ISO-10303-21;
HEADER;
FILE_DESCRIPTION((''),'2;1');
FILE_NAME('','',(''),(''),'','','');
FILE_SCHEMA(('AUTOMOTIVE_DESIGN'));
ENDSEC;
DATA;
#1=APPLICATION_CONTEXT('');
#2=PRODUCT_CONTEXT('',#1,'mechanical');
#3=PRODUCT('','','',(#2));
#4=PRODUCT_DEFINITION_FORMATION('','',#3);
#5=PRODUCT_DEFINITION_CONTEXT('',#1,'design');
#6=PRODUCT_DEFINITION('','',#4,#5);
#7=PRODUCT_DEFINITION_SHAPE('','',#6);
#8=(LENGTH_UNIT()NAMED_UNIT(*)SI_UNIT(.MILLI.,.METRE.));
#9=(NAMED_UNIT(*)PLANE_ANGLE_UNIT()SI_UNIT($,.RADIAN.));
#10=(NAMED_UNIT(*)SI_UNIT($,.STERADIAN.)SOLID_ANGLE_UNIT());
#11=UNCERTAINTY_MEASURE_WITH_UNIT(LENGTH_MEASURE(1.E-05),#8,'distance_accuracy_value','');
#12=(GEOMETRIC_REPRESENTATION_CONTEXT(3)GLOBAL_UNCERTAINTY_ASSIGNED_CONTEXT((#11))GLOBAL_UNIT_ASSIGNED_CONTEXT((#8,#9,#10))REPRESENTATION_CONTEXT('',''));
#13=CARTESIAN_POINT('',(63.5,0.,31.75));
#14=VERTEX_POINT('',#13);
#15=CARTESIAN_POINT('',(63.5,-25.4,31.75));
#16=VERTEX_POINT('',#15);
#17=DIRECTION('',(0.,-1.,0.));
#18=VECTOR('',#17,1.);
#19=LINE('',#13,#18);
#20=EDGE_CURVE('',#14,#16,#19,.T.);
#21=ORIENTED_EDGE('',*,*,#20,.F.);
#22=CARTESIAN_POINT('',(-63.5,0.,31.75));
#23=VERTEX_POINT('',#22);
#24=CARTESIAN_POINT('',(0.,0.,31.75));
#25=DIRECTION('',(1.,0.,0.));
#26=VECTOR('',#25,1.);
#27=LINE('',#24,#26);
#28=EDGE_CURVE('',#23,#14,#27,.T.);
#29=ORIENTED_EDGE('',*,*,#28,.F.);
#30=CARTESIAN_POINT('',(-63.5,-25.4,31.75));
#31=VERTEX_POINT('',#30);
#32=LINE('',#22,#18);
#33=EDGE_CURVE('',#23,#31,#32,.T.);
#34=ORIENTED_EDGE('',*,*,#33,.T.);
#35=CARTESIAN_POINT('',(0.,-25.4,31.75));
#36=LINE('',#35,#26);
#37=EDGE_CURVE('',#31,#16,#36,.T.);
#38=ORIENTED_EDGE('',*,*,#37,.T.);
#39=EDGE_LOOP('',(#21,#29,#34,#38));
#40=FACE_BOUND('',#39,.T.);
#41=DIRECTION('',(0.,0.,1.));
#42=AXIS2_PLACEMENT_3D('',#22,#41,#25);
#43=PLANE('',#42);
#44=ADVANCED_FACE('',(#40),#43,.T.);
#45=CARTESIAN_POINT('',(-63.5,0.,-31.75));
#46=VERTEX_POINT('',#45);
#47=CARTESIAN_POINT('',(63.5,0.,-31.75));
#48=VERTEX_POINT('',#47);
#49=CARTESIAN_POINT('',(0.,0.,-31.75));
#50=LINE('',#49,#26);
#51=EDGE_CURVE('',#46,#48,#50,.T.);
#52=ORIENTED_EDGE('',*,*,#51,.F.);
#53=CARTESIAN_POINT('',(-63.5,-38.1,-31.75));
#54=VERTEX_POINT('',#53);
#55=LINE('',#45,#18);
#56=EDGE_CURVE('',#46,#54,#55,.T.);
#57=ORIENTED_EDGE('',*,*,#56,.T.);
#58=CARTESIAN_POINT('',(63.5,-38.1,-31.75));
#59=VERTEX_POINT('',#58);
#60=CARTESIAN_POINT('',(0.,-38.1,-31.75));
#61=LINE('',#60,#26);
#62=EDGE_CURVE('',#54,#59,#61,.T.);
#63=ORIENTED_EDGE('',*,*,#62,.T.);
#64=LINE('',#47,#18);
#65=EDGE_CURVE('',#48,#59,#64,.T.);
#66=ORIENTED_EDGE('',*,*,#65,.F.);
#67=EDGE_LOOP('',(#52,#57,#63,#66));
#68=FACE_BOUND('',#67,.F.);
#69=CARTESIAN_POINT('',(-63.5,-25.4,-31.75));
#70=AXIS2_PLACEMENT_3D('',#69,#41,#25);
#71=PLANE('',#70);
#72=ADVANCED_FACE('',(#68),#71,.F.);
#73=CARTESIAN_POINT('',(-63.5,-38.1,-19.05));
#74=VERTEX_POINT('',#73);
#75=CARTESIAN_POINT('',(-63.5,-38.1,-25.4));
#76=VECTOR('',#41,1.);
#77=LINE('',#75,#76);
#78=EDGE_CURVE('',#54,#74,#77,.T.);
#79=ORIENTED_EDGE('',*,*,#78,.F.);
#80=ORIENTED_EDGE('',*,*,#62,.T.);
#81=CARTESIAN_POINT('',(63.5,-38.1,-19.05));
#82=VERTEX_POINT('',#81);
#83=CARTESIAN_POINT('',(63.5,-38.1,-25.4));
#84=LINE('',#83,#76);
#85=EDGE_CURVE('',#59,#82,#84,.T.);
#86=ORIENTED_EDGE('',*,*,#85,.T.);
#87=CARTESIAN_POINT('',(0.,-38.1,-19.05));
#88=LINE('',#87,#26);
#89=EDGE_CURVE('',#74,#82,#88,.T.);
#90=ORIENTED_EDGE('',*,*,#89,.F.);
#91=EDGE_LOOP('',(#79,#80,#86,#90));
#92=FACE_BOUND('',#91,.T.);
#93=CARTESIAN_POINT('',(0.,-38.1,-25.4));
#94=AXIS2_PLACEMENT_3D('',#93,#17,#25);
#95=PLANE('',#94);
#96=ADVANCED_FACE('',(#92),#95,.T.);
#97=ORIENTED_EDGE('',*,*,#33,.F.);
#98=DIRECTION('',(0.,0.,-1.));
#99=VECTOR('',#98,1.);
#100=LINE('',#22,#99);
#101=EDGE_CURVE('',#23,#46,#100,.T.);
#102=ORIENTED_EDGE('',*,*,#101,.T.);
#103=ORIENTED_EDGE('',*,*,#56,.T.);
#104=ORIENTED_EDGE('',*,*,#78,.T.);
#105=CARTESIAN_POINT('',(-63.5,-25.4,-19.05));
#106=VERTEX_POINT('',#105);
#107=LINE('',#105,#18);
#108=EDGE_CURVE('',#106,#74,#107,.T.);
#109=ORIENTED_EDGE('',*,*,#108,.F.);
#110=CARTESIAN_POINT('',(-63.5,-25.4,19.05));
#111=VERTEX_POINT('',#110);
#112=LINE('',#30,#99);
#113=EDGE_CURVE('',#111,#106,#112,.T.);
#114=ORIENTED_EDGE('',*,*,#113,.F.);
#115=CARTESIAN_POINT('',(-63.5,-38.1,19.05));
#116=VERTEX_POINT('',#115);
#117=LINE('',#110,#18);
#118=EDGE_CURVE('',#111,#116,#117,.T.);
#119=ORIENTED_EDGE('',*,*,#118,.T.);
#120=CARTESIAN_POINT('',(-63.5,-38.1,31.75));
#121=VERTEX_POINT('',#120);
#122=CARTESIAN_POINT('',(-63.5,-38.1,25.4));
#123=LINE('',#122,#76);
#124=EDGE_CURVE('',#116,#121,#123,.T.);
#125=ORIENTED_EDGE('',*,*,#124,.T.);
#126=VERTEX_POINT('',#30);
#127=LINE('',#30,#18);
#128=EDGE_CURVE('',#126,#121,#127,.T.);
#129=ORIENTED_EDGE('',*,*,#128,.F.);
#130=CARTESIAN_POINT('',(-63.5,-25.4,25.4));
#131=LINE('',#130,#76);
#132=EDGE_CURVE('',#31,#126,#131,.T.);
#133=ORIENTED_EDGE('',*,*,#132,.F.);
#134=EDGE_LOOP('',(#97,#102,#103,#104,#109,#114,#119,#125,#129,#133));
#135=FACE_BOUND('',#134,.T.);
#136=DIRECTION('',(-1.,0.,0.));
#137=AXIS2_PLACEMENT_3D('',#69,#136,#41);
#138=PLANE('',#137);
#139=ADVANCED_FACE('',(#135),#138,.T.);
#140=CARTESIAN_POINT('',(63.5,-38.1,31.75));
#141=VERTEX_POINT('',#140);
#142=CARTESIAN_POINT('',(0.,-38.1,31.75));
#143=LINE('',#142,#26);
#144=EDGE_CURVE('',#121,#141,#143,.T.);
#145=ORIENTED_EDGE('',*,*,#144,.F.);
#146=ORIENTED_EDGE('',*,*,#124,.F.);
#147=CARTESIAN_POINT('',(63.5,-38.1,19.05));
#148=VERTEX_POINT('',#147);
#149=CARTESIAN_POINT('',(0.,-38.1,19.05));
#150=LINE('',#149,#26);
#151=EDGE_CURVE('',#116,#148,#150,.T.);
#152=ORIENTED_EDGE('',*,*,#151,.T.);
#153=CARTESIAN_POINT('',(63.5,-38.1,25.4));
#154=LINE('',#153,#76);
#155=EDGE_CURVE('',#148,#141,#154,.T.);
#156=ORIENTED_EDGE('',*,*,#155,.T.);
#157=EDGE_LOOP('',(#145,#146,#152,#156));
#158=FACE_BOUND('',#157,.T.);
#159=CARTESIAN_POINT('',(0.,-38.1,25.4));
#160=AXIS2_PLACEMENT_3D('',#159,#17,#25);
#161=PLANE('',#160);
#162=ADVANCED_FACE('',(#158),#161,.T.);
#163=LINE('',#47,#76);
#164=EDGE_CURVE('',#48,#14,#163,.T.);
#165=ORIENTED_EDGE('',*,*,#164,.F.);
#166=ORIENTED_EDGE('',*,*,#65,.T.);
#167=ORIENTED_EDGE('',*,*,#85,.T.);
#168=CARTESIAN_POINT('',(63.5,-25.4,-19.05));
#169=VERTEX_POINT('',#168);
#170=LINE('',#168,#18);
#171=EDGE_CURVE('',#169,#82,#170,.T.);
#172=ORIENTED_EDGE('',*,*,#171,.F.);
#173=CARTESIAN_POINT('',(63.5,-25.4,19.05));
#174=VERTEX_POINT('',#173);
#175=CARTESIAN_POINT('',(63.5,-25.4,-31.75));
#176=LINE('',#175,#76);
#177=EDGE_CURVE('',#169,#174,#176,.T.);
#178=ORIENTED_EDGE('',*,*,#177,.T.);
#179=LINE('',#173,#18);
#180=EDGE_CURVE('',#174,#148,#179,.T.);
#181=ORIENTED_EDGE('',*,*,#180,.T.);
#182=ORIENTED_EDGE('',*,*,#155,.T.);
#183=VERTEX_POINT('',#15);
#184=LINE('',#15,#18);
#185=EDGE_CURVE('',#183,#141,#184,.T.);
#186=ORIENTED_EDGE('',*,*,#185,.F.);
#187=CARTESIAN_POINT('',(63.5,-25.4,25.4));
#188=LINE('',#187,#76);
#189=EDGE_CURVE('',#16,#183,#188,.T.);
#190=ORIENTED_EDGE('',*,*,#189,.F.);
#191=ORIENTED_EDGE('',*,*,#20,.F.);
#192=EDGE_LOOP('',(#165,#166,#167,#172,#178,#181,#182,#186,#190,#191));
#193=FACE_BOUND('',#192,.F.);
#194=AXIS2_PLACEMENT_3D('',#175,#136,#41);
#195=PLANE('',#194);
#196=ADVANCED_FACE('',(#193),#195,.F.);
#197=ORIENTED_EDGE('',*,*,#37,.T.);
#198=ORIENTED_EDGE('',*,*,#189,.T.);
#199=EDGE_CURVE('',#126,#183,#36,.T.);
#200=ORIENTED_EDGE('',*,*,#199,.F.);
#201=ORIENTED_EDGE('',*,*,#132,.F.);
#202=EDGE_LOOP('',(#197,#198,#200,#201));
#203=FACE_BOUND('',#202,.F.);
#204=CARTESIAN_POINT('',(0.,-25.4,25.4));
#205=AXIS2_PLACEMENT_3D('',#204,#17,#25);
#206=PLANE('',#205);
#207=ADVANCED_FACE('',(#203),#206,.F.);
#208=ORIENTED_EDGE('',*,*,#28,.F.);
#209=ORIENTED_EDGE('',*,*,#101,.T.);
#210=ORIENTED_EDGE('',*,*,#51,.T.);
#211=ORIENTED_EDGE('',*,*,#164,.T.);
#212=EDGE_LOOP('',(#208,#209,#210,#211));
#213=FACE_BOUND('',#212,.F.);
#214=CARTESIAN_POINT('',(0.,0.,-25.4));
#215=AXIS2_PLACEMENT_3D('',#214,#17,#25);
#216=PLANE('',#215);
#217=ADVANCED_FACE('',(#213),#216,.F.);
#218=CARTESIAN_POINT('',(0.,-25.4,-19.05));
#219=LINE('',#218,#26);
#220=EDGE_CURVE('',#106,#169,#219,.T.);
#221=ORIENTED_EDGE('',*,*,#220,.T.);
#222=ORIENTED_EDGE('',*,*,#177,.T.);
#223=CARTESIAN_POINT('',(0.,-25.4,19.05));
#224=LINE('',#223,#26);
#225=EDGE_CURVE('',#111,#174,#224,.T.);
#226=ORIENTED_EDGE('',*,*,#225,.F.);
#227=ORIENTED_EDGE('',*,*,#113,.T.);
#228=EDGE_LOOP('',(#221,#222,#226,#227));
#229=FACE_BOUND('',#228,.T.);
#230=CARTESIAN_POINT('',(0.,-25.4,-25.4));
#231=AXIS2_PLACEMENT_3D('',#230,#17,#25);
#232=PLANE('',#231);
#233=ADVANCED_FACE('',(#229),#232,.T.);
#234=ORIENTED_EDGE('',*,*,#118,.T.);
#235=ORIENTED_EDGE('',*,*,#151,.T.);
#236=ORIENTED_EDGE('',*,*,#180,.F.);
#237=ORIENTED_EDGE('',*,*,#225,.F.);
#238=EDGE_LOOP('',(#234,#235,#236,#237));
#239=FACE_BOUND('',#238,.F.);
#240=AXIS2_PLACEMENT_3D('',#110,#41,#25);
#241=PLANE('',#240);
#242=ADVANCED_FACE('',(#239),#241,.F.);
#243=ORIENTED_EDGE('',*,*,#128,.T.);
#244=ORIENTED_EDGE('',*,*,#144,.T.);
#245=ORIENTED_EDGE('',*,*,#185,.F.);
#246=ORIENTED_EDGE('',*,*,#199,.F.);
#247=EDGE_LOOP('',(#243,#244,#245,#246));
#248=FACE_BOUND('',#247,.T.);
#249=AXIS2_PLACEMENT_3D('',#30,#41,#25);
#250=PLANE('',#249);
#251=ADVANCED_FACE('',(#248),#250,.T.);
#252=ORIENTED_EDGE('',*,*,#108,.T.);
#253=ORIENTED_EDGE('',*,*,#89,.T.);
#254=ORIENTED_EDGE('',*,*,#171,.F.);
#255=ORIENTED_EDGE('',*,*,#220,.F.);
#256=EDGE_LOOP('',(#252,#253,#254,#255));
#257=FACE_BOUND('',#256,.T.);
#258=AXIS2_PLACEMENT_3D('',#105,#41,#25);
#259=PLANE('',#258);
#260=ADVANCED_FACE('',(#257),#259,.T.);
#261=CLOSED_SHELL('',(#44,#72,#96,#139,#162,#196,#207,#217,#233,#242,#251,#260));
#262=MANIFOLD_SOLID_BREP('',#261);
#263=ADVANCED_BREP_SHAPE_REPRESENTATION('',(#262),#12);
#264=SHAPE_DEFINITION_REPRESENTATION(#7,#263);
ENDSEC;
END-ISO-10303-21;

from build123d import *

# Parameters (mm, degrees)
F0_W     = 127
F0_H     = 12.7
F0_H_2   = 38.096577
F0_H_3   = 12.703423
F1_DEPTH = 25.4
F2_W     = 127
F2_H     = 12.7
F3_DEPTH = 12.7
F4_DEPTH = 12.7


with BuildPart() as f1:
    # F0 (on Front) → F1 (new body)
    with BuildSketch(Plane.XZ):
        with Locations((0, -25.4)):
            Rectangle(F0_W, F0_H)
        with Locations((0, -0.001712)):
            Rectangle(F0_W, F0_H_2)
        with Locations((0, 25.398288)):
            Rectangle(F0_W, F0_H_3)
    extrude(amount=F1_DEPTH)

    # F2 (on face) → F3 (join)
    with BuildSketch(Plane.XZ.offset(25.4)):
        with Locations((0, 25.4)):
            Rectangle(F2_W, F2_H)
    extrude(amount=F3_DEPTH)

    # F2 (on face) → F4 (join)
    with BuildSketch(Plane.XZ.offset(25.4)):
        with Locations((0, -25.4)):
            Rectangle(F2_W, F2_H)
    extrude(amount=F4_DEPTH)


solid = f1.part
